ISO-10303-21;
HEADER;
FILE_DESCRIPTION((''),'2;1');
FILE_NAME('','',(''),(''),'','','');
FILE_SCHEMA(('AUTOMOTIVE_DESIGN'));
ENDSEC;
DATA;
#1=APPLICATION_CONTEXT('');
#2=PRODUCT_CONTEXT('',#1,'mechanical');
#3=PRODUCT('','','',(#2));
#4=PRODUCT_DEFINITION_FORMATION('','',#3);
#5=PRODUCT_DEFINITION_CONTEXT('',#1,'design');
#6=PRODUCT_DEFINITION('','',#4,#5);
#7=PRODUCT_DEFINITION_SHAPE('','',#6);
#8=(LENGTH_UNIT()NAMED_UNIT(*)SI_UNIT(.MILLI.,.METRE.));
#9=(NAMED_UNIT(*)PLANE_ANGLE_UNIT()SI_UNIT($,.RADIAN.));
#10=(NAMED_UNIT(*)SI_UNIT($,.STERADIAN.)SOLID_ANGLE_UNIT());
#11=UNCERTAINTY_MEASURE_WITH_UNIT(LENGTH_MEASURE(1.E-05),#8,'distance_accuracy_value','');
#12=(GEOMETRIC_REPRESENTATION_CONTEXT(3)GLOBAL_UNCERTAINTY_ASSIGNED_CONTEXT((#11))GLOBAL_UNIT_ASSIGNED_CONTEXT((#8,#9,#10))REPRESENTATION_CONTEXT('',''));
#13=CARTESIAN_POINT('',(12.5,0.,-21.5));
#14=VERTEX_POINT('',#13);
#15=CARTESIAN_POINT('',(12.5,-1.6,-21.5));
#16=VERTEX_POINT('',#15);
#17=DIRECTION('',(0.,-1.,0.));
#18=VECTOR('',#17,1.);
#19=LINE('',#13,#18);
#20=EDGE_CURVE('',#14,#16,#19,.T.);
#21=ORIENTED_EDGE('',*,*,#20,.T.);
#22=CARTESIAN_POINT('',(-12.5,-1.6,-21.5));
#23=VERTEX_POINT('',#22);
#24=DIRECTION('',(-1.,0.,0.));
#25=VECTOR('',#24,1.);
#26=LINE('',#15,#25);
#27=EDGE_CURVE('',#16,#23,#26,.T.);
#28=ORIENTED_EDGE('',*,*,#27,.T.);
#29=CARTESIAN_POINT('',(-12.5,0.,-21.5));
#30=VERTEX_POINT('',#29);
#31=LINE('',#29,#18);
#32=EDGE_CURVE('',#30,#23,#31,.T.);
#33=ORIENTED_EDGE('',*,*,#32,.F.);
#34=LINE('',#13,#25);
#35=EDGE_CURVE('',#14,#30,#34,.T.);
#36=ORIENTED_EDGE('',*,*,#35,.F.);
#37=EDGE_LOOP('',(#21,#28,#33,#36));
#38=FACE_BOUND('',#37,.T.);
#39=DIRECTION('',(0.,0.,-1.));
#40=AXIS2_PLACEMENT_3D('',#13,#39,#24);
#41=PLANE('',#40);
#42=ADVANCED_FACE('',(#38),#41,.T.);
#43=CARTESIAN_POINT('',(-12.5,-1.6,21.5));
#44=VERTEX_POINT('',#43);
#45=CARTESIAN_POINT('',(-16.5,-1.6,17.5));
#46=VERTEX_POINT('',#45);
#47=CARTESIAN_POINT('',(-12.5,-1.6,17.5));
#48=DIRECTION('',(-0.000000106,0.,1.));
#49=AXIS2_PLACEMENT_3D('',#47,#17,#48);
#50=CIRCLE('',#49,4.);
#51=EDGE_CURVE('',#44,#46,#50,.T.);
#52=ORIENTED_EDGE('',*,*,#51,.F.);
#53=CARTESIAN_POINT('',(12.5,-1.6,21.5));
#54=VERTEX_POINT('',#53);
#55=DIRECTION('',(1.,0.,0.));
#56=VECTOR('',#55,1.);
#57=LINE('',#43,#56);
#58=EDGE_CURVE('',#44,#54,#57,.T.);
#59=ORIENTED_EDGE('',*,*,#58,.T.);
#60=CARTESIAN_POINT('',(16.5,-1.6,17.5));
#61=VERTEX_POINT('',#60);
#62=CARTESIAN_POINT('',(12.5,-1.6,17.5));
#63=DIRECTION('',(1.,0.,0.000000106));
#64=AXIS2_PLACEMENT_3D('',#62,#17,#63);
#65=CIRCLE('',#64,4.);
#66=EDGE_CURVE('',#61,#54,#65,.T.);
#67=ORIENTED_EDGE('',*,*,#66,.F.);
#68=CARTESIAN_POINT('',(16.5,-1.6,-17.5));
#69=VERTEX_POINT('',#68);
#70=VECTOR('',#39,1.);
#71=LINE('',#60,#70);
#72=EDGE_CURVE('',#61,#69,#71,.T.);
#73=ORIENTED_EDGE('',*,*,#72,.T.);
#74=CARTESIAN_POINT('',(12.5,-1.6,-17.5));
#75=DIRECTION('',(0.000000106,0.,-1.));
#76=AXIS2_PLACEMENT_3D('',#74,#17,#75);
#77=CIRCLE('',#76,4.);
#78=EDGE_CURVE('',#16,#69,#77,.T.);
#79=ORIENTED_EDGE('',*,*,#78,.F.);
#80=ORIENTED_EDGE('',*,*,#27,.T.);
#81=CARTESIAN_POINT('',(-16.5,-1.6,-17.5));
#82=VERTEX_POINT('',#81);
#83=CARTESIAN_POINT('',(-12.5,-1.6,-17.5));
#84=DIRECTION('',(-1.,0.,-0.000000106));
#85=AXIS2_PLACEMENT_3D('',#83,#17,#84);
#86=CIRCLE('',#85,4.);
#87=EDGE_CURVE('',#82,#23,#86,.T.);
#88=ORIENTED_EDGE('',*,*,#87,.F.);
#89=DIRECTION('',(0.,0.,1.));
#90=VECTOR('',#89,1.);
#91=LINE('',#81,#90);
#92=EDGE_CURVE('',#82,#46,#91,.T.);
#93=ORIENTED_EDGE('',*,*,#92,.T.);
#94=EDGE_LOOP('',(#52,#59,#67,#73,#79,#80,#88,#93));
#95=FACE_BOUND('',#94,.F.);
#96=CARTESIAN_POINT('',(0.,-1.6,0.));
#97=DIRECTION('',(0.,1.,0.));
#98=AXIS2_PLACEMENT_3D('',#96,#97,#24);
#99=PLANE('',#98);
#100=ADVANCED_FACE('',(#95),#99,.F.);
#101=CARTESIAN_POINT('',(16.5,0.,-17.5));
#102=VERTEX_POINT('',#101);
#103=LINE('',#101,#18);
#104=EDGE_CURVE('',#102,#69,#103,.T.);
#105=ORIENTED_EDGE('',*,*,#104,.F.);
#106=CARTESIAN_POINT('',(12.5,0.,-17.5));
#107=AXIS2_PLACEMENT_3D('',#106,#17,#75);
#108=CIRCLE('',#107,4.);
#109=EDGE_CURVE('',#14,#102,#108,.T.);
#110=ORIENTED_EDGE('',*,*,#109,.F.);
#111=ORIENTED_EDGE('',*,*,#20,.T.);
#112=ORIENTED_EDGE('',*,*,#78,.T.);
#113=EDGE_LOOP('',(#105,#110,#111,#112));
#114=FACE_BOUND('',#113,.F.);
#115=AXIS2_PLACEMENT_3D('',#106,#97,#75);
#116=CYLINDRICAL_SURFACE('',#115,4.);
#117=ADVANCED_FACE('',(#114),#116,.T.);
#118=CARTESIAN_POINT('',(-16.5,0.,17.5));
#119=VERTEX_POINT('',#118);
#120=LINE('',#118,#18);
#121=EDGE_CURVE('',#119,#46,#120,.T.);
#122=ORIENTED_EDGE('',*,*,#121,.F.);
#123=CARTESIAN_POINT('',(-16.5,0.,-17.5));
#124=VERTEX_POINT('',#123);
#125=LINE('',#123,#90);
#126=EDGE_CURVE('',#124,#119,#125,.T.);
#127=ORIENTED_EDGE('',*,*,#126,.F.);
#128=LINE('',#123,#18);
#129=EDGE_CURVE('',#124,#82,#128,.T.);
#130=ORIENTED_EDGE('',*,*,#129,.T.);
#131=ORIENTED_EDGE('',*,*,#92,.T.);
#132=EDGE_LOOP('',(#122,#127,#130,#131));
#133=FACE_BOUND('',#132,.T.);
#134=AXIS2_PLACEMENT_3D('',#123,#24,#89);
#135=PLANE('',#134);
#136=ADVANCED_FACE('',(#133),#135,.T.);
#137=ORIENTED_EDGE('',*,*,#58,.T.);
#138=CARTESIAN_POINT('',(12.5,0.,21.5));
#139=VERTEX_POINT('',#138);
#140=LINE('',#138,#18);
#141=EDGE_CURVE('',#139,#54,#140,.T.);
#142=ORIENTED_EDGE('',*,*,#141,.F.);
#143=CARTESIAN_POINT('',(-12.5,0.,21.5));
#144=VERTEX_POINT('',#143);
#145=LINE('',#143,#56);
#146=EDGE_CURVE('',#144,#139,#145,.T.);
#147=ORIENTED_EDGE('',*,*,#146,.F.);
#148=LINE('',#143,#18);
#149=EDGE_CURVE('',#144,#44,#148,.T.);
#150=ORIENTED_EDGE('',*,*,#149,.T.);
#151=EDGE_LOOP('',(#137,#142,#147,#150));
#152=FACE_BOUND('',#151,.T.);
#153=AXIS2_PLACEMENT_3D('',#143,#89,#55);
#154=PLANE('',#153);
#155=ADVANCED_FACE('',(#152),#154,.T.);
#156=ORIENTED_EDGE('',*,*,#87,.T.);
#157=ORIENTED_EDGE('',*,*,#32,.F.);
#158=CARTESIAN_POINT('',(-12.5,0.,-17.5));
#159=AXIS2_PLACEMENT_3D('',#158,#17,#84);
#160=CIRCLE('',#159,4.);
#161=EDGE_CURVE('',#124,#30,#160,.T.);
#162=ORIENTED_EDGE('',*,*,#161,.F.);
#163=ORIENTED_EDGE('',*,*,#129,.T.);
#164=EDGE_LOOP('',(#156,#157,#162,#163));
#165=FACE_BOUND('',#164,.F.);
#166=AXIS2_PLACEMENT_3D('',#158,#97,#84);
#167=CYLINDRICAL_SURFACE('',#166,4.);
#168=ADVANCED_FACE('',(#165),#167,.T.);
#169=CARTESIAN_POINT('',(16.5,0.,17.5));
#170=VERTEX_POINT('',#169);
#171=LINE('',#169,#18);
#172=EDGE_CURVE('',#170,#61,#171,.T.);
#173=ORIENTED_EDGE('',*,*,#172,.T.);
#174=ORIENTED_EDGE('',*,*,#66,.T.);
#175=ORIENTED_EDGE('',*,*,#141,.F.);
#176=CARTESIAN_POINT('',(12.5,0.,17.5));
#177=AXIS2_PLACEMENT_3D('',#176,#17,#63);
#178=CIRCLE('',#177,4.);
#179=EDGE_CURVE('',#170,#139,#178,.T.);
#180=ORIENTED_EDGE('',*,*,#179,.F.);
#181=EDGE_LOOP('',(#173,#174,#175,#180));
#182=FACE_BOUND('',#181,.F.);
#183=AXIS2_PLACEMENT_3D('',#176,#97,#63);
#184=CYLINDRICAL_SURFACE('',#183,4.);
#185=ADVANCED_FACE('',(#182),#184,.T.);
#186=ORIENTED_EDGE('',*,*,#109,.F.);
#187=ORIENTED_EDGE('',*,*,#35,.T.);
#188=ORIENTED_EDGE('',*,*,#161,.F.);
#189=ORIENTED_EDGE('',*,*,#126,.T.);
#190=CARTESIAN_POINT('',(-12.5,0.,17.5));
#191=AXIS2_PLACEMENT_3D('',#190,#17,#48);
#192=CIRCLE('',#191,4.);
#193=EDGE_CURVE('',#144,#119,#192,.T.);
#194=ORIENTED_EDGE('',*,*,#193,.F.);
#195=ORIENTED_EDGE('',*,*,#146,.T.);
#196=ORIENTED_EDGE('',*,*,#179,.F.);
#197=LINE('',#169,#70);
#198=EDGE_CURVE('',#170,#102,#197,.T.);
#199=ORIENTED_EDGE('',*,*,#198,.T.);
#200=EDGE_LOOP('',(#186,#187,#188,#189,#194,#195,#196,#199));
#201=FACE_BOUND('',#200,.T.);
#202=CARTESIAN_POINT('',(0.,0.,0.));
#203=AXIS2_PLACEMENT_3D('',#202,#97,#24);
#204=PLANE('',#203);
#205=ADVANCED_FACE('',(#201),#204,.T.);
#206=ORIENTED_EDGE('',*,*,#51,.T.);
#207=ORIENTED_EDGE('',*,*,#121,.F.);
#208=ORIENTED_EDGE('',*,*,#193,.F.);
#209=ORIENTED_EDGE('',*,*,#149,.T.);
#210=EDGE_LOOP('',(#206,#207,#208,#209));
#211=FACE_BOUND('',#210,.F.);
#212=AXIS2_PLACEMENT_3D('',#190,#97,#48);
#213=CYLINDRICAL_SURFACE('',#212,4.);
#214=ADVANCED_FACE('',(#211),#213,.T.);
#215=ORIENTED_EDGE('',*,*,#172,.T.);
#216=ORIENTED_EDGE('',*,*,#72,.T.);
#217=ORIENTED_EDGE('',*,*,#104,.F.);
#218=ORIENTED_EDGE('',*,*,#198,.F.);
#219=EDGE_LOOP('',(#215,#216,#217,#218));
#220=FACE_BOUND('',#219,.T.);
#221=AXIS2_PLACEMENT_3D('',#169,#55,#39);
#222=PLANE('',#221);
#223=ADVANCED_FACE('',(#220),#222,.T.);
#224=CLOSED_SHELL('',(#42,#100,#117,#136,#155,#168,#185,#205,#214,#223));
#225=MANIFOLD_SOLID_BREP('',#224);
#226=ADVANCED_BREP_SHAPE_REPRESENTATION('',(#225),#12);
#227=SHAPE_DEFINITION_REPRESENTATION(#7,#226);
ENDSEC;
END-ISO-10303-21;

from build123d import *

# Parameters (mm, degrees)
PAD_DEPTH = 1.6


with BuildPart() as part:
    # Sketch → Pad (new body)
    with BuildSketch(Plane.XZ):
        with BuildLine():
            Line((-12.5, 21.5), (12.5, 21.5))
            ThreePointArc((16.5, 17.5), (15.328427, 20.328427), (12.5, 21.5))
            Line((16.5, 17.5), (16.5, -17.5))
            ThreePointArc((12.5, -21.5), (15.328427, -20.328427), (16.5, -17.5))
            Line((12.5, -21.5), (-12.5, -21.5))
            ThreePointArc((-16.5, -17.5), (-15.328427, -20.328427), (-12.5, -21.5))
            Line((-16.5, -17.5), (-16.5, 17.5))
            ThreePointArc((-12.5, 21.5), (-15.328427, 20.328427), (-16.5, 17.5))
        make_face()
    extrude(amount=PAD_DEPTH)


solid = part.part
